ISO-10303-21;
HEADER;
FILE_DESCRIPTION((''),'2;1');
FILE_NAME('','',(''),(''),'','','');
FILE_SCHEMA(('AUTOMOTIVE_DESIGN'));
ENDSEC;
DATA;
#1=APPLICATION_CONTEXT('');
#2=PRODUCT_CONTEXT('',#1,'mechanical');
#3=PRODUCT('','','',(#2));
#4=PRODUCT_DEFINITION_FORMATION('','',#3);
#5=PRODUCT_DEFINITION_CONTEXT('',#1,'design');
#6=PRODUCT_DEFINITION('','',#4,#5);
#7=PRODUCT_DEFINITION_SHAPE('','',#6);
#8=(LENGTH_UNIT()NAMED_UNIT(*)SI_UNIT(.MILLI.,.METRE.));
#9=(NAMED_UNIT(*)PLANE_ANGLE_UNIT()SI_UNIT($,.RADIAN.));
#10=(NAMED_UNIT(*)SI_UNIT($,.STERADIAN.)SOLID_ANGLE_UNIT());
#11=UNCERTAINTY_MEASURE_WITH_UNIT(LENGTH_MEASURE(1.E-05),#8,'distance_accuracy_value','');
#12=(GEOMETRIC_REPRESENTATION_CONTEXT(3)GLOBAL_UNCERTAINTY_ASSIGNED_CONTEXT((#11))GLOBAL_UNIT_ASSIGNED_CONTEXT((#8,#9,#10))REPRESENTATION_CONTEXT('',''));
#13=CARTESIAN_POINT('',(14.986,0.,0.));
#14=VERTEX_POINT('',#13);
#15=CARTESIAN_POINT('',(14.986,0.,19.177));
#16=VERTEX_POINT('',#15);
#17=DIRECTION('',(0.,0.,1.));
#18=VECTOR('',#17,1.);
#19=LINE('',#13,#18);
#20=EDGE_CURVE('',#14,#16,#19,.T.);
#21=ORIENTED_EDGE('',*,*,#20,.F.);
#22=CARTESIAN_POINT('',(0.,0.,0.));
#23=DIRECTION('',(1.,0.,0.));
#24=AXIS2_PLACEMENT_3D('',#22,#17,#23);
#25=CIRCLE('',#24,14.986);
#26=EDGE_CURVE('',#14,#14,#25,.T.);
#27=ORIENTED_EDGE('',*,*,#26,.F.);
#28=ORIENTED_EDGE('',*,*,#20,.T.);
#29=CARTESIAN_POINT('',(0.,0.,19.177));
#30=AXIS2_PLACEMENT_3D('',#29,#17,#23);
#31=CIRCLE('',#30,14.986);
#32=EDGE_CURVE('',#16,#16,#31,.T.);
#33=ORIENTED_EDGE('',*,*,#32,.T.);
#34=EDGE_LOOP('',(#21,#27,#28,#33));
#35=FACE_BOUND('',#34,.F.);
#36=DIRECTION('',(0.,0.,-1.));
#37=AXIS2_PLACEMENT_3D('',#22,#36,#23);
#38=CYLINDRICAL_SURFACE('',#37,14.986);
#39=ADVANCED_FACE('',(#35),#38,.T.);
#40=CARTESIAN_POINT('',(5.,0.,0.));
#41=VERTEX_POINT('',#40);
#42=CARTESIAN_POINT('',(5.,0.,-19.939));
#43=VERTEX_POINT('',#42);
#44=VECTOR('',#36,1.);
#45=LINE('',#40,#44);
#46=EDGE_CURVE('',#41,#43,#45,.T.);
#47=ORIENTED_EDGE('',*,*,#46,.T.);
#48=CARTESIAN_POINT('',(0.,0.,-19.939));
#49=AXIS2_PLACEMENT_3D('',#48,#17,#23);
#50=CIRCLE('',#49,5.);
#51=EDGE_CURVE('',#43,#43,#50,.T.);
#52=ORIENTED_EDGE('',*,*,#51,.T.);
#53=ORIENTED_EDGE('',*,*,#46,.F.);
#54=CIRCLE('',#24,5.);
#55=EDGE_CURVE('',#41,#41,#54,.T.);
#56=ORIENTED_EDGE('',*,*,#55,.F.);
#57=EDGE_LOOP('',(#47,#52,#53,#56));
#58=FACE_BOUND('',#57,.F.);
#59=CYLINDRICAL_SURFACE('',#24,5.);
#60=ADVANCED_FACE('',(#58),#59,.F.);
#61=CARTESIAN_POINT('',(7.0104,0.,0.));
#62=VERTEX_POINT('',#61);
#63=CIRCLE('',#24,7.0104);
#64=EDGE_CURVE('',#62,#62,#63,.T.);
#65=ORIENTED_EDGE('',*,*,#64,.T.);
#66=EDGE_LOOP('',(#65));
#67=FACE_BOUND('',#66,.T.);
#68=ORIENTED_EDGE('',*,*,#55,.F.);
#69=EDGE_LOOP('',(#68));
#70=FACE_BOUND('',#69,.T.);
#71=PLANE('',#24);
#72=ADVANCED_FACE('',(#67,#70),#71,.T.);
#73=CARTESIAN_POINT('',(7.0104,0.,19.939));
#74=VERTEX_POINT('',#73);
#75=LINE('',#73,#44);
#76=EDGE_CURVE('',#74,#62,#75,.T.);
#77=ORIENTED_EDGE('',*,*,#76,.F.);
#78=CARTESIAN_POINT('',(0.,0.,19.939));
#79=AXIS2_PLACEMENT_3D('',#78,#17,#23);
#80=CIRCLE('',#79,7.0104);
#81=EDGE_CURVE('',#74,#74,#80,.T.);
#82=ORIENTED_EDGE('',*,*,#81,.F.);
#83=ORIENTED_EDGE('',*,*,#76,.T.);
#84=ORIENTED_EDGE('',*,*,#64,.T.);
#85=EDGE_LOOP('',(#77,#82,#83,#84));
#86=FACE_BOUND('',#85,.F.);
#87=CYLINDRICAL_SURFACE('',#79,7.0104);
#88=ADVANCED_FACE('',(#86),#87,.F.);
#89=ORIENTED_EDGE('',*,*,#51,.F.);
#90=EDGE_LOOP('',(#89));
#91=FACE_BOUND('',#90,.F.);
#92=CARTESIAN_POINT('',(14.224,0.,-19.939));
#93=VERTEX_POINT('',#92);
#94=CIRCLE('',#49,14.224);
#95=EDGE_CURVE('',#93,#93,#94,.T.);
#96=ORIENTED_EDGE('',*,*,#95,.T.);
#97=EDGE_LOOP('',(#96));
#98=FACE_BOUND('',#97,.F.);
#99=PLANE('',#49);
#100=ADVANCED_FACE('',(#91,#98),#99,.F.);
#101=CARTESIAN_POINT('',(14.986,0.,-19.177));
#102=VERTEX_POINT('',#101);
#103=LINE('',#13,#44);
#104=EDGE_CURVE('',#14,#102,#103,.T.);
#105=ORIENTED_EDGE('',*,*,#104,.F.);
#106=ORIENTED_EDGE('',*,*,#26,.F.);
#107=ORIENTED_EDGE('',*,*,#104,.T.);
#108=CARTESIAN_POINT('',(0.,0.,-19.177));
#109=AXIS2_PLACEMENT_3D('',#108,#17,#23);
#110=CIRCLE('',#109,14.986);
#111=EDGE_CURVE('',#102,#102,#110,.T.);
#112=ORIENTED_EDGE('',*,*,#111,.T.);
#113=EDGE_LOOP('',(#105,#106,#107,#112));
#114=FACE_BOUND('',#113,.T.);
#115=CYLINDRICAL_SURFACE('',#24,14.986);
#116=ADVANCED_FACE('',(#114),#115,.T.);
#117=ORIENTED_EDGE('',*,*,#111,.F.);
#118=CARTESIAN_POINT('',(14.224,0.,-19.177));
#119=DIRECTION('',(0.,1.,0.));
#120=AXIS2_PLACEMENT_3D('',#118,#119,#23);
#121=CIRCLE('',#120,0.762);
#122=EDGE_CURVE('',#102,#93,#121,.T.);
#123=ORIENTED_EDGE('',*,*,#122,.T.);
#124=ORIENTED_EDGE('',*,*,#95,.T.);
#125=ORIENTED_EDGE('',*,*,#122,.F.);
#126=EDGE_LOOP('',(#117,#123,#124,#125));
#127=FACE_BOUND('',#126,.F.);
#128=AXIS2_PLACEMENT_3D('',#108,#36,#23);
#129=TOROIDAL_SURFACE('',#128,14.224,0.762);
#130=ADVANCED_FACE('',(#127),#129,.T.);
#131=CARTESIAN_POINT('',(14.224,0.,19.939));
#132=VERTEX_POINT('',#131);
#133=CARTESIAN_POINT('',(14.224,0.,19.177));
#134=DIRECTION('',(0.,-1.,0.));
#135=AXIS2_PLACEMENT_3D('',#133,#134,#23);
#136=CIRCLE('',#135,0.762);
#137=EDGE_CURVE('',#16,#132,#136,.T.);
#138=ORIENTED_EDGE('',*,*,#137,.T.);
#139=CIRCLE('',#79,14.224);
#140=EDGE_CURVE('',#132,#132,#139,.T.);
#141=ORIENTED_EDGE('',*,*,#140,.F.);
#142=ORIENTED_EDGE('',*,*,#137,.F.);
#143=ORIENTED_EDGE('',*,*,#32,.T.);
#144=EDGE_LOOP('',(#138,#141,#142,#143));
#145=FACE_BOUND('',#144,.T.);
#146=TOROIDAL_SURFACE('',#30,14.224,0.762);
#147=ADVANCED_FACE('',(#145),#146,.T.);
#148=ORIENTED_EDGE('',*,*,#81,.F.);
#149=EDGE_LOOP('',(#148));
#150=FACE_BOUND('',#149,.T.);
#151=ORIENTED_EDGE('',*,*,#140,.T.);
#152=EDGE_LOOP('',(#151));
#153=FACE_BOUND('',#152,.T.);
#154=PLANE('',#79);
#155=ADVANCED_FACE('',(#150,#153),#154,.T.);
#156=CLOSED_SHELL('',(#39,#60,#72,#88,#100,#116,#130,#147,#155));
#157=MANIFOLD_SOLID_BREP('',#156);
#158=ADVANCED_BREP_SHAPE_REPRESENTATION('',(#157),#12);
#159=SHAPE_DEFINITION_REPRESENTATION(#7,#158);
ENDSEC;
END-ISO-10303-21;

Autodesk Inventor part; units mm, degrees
ref_plane "YZ Plane" through (0, 0, 0) normal (1, 0, 0) x (0, 1, 0)
ref_plane "XZ Plane" through (0, 0, 0) normal (0, 1, 0) x (-1, 0, 0)
ref_plane "XY Plane" through (0, 0, 0) normal (0, 0, 1) x (1, 0, 0)
sketch "Sketch12" plane through (0, 0, 0) normal (0, 0, 1) x (1, 0, 0)
  circle A0 centre (0, 0) radius 14.986
  circle A1 centre (0, 0) radius 5
  dimension "d107" = 29.972
  dimension "d108" = 10
extrude "Extrusion1" add sketch "Sketch12" along normal mid plane 39.878
sketch "Sketch13" plane through (0, 0, 19.939) normal (0, 0, 1) x (1, 0, 0)
  circle A0 centre (0, 0) radius 5 construction
  circle A1 centre (0, 0) radius 7.0104
  dimension "d111" = 14.0208
extrude "Extrusion2" cut sketch "Sketch13" against normal blind 19.939
fillet "Fillet1" radius 0.762 2 edges at (-14.986, 0, -19.939) (-14.986, 0, 19.939)
equation "\"BendRadius\" = Thickness"
equation "\"BendReliefWidth\" = Thickness"
equation "\"BendReliefDepth\" = 0.5 * Thickness"
equation "\"CornerReliefSize\" = 4 * Thickness"
equation "\"MinimumRemnant\" = 2 * Thickness"
equation "\"TransitionRadius\" = BendRadius"
equation "\"JacobiRadiusSize\" = BendRadius"
equation "\"GapSize\" = Thickness"
equation "\"Thickness\" = 4.7625"
properties part number "Shaft Coupler" material "Steel, Mild"
